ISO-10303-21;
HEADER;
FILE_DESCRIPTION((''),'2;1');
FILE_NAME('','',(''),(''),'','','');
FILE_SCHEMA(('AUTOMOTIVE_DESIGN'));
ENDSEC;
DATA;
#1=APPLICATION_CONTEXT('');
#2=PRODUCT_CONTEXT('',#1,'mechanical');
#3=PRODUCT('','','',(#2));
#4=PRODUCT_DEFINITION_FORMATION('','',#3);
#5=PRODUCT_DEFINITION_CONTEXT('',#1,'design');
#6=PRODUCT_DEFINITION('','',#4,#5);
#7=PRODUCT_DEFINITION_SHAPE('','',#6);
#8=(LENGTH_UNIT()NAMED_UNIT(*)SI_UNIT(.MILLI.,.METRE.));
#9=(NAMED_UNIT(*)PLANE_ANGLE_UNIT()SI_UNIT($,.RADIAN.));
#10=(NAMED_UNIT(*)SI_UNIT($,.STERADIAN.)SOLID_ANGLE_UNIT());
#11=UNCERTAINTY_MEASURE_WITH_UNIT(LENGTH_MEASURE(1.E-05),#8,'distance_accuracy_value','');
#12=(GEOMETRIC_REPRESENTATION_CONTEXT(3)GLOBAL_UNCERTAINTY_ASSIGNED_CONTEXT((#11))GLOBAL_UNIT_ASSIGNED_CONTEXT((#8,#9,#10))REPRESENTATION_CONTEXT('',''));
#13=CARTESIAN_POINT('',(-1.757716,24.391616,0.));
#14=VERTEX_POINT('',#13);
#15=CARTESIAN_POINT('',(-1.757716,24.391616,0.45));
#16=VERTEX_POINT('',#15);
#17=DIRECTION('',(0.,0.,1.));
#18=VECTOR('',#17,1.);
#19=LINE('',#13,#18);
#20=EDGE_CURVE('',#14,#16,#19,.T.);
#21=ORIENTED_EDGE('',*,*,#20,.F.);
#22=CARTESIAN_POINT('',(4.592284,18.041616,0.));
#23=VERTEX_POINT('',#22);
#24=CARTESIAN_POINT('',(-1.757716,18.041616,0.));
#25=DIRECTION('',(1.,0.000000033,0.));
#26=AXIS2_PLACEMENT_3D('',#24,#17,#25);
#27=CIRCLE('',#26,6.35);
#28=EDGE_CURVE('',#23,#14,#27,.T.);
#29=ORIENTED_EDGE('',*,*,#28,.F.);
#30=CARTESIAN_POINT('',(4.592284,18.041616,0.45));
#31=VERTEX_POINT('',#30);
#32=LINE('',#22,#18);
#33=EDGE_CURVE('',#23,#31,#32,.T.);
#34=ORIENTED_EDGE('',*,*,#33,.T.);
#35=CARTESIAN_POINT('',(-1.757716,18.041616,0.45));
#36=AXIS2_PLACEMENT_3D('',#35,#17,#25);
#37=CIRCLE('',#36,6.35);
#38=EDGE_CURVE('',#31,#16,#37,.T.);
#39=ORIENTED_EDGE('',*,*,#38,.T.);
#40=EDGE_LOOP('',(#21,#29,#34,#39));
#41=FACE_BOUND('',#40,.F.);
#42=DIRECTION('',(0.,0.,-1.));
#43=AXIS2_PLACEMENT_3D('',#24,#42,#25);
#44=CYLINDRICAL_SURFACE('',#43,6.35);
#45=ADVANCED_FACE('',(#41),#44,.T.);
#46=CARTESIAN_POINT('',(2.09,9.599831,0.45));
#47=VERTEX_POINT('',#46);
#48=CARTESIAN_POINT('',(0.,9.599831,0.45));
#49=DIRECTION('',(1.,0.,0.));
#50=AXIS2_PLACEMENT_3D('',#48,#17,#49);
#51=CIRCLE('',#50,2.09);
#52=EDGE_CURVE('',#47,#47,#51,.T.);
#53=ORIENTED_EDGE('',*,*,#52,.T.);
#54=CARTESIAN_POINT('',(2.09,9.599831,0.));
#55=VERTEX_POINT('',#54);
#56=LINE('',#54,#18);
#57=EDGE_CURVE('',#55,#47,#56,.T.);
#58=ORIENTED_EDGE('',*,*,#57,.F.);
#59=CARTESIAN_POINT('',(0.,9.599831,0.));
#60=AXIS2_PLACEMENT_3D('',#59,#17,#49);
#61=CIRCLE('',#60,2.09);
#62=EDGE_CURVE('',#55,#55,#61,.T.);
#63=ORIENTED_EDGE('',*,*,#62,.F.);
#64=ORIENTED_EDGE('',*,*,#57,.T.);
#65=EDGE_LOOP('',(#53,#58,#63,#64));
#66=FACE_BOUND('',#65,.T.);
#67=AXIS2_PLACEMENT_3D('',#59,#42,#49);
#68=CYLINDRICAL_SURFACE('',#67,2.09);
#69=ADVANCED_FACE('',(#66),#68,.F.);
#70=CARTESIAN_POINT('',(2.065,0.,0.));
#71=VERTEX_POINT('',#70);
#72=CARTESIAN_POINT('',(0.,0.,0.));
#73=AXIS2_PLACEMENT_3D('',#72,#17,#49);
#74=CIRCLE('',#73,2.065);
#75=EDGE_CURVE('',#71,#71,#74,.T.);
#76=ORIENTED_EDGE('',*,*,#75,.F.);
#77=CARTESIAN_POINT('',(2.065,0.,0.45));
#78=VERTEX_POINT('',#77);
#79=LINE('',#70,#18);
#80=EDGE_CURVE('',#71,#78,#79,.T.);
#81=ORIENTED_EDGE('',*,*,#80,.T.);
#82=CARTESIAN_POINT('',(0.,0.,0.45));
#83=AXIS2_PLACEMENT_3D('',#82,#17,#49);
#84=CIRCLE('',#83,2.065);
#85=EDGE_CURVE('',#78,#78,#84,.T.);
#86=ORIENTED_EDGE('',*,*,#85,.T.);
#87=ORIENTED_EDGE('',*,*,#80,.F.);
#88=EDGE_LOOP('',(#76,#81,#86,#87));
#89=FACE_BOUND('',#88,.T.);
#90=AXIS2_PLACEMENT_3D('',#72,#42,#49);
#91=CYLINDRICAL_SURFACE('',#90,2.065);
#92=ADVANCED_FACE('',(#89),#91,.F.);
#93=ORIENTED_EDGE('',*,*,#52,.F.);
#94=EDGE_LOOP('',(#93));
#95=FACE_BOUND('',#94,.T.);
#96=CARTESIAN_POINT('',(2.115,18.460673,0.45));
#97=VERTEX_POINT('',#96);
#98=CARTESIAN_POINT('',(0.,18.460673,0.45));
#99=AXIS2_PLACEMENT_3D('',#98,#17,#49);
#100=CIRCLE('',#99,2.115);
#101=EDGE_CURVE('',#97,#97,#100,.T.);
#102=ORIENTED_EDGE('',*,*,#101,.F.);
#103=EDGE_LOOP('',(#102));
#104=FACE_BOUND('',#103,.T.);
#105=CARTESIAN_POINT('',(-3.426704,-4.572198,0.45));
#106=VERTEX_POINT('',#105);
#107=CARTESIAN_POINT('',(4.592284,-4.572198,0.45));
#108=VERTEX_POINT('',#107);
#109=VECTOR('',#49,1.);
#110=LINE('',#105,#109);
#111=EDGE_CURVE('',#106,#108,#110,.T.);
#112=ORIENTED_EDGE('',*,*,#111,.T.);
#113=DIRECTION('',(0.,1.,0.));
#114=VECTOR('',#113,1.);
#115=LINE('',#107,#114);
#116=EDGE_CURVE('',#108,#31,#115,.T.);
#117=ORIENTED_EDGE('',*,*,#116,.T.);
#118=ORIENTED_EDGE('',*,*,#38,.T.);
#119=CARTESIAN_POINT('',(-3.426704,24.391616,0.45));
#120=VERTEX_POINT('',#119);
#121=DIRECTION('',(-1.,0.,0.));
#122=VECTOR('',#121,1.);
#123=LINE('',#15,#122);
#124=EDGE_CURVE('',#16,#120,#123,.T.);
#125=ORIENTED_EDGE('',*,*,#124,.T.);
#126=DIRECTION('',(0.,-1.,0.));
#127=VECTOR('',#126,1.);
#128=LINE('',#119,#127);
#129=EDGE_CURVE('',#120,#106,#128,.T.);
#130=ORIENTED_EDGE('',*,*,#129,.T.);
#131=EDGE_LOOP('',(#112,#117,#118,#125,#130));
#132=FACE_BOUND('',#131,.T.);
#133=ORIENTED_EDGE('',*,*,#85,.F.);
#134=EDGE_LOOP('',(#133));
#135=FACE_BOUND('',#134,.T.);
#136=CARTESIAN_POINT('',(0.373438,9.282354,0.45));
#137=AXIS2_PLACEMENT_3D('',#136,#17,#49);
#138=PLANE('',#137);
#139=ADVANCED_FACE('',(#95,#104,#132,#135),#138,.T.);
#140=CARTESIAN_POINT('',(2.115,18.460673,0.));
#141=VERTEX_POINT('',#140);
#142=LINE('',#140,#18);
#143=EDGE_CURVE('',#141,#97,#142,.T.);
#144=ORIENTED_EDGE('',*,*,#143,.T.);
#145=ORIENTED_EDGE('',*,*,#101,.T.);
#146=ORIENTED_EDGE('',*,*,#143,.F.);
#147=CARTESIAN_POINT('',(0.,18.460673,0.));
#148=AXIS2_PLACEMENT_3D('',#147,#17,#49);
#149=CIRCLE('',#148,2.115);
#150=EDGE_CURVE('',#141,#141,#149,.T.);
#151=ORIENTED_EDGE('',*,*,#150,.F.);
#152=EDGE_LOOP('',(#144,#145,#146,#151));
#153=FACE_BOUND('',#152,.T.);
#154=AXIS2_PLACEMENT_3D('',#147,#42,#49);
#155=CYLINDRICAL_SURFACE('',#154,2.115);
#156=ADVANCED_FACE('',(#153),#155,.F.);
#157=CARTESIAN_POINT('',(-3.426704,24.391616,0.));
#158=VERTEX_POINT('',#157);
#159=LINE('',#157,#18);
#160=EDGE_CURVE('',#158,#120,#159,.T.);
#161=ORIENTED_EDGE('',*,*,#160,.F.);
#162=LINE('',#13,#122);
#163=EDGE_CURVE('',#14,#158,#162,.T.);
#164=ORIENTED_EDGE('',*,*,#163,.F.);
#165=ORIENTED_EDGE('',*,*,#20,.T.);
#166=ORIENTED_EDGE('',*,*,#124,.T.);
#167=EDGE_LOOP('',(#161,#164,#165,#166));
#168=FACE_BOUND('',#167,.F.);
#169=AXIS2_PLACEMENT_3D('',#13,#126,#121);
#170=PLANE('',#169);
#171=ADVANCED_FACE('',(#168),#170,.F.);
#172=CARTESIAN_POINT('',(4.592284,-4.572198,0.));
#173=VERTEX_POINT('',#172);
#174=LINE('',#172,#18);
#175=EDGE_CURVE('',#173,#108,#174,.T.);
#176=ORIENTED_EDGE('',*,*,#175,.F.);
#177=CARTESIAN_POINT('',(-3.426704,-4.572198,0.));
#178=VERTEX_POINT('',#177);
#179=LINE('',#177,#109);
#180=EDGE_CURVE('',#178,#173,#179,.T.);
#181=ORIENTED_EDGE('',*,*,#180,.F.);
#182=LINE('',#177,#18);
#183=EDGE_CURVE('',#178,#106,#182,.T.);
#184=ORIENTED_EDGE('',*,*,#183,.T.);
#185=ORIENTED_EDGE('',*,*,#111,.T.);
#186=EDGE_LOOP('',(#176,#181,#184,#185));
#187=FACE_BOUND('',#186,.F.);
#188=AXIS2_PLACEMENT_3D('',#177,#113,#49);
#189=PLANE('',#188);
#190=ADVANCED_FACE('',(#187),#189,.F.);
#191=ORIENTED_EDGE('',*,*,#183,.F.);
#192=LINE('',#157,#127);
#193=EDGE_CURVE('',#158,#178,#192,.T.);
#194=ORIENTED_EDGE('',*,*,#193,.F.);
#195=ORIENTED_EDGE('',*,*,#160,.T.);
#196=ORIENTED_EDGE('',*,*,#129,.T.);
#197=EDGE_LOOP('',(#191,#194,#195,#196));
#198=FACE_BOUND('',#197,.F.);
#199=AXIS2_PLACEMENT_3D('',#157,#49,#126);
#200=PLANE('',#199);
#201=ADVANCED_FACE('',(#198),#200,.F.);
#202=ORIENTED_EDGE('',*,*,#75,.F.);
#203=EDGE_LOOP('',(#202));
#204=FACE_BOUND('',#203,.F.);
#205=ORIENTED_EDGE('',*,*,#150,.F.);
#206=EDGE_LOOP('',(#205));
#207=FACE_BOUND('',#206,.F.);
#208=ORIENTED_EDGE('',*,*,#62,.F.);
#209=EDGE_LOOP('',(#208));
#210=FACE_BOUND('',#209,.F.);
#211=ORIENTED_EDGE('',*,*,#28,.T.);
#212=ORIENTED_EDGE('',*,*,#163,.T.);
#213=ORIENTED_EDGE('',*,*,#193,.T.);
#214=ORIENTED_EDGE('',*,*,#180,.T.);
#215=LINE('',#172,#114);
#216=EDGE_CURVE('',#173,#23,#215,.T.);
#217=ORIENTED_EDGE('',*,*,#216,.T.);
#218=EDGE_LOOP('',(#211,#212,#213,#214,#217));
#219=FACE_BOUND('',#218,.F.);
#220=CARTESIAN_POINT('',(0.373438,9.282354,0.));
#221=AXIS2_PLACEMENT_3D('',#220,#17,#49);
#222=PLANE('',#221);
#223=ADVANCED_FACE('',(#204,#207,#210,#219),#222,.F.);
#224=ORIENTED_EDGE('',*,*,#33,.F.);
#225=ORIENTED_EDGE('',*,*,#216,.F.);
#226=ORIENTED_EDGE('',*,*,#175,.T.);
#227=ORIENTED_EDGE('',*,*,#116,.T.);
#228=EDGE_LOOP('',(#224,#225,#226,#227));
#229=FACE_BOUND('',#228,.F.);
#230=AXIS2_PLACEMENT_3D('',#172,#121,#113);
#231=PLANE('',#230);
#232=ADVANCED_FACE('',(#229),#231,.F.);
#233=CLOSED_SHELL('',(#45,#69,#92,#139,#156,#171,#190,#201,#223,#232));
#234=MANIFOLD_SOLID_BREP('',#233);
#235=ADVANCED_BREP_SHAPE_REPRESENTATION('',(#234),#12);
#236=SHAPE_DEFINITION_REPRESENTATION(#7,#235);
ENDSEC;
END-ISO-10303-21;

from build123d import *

# Parameters (mm, degrees)
F0_R     = 2.065
F0_R_2   = 2.09
F0_R_3   = 2.115
F1_DEPTH = 0.45


with BuildPart() as f1:
    # F0 (on Top) → F1 (new body)
    with BuildSketch(Plane.XY):
        with BuildLine():
            Line((-3.426704, -4.572198), (4.592284, -4.572198))
            Line((4.592284, -4.572198), (4.592284, 18.041616))
            ThreePointArc((4.592284, 18.041616), (2.732412, 22.531744), (-1.757716, 24.391616))
            Line((-1.757716, 24.391616), (-3.426704, 24.391616))
            Line((-3.426704, 24.391616), (-3.426704, -4.572198))
        make_face()
        Circle(F0_R, mode=Mode.SUBTRACT)
        with Locations((0, 9.599831)):
            Circle(F0_R_2, mode=Mode.SUBTRACT)
        with Locations((0, 18.460673)):
            Circle(F0_R_3, mode=Mode.SUBTRACT)
    extrude(amount=F1_DEPTH)


solid = f1.part
